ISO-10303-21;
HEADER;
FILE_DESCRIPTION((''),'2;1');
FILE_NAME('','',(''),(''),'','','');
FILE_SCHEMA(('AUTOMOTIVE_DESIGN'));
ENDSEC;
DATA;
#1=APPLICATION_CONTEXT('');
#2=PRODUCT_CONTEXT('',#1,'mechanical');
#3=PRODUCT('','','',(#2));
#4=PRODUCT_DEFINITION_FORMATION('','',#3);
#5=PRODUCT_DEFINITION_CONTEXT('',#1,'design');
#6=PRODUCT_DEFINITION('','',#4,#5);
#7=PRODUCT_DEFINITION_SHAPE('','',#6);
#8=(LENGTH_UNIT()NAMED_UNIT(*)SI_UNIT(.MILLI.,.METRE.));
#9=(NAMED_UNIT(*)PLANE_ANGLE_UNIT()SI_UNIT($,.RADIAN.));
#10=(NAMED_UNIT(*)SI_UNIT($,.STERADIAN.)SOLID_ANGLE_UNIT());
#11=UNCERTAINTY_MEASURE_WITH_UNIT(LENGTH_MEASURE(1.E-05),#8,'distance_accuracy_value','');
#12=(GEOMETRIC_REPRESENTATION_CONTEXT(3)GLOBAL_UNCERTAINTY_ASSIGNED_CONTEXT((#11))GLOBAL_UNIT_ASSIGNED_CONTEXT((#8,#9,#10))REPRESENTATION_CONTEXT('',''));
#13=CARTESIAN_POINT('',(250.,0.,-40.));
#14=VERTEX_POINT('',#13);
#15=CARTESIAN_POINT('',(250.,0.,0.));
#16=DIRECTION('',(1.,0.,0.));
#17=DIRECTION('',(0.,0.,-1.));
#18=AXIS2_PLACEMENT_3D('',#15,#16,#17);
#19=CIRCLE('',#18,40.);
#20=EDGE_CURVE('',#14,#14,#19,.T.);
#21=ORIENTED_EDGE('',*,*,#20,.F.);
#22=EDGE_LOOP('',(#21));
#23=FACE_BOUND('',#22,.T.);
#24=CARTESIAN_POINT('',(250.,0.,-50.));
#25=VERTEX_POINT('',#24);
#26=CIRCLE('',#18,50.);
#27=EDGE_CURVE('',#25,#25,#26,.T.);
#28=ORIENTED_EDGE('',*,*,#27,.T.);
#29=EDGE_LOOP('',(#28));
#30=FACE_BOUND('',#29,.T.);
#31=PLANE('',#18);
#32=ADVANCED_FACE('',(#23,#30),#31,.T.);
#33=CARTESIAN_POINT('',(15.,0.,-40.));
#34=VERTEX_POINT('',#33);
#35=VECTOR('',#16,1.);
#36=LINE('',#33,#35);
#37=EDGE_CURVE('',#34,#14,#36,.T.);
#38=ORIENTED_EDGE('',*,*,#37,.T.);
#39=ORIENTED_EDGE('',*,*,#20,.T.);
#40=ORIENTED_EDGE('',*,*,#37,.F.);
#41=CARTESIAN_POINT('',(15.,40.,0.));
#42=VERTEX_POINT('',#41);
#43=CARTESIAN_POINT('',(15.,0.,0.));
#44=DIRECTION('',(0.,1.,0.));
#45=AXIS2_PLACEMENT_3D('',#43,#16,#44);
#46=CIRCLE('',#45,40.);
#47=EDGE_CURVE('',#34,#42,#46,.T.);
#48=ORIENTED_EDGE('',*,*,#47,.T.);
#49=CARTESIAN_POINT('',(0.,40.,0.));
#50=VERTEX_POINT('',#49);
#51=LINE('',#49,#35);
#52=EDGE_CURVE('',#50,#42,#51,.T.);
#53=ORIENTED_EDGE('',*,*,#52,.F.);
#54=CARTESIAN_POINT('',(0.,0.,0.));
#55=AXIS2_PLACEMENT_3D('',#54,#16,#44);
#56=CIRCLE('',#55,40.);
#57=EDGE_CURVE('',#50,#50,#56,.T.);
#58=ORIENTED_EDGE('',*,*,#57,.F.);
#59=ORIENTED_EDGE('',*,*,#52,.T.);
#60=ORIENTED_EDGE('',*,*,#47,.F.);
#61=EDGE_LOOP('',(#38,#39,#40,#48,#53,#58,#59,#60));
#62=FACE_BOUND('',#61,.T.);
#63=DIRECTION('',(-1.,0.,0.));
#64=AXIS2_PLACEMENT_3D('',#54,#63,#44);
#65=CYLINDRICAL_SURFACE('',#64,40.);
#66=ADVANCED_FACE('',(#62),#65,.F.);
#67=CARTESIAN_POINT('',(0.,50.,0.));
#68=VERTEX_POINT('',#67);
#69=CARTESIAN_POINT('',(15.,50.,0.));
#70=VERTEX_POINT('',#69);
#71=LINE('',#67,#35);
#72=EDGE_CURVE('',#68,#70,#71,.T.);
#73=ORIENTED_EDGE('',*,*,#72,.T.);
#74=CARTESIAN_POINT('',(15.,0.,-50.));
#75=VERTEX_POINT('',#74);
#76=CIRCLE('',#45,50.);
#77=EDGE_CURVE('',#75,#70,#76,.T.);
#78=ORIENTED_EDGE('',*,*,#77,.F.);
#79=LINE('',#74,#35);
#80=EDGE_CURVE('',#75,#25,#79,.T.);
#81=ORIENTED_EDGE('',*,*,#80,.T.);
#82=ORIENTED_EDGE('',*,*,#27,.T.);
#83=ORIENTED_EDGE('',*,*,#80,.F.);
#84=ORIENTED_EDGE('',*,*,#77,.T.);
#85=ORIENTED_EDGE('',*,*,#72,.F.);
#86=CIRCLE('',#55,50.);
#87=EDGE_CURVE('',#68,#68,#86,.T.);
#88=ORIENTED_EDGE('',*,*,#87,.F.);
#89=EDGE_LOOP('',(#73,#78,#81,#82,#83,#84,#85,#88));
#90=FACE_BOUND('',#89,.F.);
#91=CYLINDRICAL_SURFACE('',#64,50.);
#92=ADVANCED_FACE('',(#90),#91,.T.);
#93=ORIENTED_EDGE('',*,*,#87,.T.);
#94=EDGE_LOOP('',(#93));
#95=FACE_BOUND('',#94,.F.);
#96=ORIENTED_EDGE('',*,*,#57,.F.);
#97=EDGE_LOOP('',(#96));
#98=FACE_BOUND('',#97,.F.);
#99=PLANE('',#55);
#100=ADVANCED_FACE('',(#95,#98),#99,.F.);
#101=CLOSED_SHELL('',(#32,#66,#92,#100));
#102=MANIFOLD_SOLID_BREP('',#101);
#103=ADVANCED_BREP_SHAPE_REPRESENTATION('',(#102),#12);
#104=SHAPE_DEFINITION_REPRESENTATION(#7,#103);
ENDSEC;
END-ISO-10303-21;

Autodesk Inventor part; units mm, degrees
ref_plane "YZ Plane" through (0, 0, 0) normal (1, 0, 0) x (0, 1, 0)
ref_plane "XZ Plane" through (0, 0, 0) normal (0, 1, 0) x (-1, 0, 0)
ref_plane "XY Plane" through (0, 0, 0) normal (0, 0, 1) x (1, 0, 0)
sketch "Skizze1" plane through (0, 0, 0) normal (1, 0, 0) x (0, 1, 0)
  circle A0 centre (0, 0) radius 40
  circle A1 centre (0, 0) radius 50
  dimension "d0" = 100
  dimension "d1" = 80
extrude "Extrusion1" add sketch "Skizze1" along normal blind 15
sketch "Skizze2" plane through (15, 0, 0) normal (1, 0, 0) x (0, 0, -1)
  circle A0 centre (0, 0) radius 40
  circle A1 centre (0, 0) radius 50
  dimension "d4" = 100
extrude "Extrusion2" add sketch "Skizze2" along normal blind 235
properties part number "DN80-Rohrstück"
